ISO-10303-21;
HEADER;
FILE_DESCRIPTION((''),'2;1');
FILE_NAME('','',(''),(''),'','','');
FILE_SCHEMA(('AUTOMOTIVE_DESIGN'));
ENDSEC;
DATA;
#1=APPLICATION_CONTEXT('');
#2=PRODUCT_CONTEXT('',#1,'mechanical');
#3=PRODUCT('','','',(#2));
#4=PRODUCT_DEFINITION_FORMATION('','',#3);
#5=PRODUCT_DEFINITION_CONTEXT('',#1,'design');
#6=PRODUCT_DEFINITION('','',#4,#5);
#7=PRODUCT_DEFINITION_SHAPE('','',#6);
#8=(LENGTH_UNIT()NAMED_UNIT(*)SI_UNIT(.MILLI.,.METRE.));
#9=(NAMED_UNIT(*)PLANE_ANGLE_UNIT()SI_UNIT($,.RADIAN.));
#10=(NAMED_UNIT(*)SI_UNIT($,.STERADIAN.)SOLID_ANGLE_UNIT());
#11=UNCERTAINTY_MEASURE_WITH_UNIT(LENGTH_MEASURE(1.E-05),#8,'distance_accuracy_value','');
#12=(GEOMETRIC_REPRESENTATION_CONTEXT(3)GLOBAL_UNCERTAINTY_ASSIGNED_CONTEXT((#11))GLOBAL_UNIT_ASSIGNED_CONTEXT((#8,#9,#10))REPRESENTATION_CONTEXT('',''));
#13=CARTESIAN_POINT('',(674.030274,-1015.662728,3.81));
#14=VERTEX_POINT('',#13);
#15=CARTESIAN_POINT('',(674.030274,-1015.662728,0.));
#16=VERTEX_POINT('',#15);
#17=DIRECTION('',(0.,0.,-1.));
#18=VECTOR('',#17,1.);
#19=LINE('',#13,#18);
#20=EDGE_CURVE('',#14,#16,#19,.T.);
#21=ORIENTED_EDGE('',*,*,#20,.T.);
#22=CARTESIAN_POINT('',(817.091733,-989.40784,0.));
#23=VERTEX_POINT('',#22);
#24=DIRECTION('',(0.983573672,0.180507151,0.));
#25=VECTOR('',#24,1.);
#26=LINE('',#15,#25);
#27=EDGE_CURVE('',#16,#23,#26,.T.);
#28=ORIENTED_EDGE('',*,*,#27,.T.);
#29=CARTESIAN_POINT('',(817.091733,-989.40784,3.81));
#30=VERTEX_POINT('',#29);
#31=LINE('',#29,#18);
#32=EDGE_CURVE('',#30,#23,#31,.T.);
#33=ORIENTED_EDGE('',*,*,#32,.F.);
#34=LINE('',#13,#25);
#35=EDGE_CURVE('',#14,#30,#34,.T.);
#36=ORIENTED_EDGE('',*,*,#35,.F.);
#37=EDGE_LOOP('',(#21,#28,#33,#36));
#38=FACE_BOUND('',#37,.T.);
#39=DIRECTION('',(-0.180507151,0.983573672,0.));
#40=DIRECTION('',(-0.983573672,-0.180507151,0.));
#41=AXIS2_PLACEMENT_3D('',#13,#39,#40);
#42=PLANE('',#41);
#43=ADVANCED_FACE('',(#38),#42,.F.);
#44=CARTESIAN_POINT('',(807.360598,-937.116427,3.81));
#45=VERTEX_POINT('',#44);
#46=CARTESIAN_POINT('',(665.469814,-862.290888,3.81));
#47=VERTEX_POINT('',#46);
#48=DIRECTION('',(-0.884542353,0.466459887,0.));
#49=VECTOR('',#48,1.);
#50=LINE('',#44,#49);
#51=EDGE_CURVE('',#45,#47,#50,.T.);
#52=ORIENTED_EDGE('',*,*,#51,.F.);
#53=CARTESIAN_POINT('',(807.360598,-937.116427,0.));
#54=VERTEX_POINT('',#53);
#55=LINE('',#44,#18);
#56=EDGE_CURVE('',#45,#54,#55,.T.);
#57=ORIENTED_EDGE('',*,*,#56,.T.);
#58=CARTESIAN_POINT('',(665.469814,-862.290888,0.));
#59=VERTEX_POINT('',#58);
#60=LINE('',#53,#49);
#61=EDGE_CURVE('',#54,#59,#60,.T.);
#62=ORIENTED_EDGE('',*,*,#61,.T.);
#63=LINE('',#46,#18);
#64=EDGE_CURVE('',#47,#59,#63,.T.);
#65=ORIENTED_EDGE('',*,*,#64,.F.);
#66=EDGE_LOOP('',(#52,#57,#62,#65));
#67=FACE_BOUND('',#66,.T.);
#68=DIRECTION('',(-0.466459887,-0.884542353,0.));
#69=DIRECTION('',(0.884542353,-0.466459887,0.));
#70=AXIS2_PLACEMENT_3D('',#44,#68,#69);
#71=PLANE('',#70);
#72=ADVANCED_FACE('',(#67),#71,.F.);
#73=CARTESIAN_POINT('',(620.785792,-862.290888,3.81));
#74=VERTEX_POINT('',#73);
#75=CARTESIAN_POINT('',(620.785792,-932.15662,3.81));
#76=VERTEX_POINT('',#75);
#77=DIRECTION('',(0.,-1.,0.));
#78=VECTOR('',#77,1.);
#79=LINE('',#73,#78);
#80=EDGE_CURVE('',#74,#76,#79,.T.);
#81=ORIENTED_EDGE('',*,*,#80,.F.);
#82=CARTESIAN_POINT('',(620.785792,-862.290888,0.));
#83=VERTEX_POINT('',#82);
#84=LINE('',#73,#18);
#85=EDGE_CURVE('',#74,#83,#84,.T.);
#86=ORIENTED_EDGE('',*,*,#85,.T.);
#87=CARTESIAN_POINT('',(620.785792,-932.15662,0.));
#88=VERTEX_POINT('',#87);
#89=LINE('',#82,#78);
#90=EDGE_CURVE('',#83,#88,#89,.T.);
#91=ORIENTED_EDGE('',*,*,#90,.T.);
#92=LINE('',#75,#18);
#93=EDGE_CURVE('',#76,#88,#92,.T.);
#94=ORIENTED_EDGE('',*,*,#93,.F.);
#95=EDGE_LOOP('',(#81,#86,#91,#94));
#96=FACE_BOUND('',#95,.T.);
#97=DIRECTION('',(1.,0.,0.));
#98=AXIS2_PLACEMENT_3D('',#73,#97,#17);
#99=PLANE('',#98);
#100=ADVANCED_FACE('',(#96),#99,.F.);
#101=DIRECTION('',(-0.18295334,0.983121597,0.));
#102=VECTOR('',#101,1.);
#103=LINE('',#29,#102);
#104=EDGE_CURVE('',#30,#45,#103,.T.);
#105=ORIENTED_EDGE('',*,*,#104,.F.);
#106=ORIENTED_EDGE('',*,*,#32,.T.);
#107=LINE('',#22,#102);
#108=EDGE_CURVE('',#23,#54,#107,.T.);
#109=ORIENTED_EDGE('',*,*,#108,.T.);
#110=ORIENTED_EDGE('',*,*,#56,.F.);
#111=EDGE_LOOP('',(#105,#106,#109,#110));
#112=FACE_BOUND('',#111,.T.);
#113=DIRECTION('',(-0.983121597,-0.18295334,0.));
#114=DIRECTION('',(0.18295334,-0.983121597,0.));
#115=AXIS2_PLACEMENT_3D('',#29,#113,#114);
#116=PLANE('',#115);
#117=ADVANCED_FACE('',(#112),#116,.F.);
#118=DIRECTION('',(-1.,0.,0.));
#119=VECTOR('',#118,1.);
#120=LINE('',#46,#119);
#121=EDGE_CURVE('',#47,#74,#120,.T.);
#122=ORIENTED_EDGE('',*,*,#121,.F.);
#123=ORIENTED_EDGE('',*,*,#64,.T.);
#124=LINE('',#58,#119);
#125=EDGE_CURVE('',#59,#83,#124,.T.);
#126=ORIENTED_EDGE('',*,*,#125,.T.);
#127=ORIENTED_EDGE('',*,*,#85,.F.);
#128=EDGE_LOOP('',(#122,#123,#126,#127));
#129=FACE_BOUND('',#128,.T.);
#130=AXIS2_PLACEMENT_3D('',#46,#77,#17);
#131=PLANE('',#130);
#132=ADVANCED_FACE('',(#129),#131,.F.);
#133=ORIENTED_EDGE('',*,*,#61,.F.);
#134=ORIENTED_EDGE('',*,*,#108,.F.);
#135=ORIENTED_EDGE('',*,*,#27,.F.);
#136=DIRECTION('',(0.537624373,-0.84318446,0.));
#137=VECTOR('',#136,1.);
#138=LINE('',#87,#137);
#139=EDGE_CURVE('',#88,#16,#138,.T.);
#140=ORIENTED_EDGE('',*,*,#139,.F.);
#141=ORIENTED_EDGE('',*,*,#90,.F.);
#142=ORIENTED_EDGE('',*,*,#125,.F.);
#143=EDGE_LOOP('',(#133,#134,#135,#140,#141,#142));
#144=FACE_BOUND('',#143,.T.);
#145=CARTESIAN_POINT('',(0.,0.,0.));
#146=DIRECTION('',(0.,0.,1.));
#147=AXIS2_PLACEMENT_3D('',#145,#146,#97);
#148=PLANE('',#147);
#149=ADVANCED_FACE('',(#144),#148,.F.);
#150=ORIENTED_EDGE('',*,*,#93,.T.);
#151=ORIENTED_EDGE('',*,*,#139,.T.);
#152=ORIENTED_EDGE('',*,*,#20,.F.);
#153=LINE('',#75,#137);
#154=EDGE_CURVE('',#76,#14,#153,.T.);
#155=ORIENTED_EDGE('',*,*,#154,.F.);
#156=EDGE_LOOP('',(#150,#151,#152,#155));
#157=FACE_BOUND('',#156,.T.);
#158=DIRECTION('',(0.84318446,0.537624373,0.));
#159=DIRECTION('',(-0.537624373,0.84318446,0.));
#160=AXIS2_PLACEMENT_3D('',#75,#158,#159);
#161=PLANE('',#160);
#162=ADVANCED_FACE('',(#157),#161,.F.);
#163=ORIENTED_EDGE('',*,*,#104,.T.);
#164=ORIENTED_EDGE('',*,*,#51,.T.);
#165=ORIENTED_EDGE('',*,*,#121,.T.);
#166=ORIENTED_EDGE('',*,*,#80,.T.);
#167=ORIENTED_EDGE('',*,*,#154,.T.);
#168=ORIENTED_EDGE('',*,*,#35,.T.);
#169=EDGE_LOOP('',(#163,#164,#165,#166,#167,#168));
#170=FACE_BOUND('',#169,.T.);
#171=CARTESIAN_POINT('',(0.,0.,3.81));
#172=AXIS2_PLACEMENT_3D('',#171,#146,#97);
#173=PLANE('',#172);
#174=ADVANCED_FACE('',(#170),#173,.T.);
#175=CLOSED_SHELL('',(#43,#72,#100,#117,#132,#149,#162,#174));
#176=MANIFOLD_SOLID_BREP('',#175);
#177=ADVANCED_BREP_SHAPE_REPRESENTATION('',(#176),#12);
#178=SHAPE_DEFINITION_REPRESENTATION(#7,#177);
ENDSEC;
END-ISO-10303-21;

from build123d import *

# Parameters (mm, degrees)
BOSS_EXTRUDE1_DEPTH = 3.81


with BuildPart() as part:
    # Sketch2 → Boss-Extrude1 (new body)
    with BuildSketch(Plane.XY):
        Polygon((674.030273868, -1015.662728221), (817.091732774, -989.407840441), (807.360598061, -937.116427186), (665.469814468, -862.290887586), (620.785792456, -862.290887586), (620.785792456, -932.156619674), align=None)
    extrude(amount=BOSS_EXTRUDE1_DEPTH)


solid = part.part
